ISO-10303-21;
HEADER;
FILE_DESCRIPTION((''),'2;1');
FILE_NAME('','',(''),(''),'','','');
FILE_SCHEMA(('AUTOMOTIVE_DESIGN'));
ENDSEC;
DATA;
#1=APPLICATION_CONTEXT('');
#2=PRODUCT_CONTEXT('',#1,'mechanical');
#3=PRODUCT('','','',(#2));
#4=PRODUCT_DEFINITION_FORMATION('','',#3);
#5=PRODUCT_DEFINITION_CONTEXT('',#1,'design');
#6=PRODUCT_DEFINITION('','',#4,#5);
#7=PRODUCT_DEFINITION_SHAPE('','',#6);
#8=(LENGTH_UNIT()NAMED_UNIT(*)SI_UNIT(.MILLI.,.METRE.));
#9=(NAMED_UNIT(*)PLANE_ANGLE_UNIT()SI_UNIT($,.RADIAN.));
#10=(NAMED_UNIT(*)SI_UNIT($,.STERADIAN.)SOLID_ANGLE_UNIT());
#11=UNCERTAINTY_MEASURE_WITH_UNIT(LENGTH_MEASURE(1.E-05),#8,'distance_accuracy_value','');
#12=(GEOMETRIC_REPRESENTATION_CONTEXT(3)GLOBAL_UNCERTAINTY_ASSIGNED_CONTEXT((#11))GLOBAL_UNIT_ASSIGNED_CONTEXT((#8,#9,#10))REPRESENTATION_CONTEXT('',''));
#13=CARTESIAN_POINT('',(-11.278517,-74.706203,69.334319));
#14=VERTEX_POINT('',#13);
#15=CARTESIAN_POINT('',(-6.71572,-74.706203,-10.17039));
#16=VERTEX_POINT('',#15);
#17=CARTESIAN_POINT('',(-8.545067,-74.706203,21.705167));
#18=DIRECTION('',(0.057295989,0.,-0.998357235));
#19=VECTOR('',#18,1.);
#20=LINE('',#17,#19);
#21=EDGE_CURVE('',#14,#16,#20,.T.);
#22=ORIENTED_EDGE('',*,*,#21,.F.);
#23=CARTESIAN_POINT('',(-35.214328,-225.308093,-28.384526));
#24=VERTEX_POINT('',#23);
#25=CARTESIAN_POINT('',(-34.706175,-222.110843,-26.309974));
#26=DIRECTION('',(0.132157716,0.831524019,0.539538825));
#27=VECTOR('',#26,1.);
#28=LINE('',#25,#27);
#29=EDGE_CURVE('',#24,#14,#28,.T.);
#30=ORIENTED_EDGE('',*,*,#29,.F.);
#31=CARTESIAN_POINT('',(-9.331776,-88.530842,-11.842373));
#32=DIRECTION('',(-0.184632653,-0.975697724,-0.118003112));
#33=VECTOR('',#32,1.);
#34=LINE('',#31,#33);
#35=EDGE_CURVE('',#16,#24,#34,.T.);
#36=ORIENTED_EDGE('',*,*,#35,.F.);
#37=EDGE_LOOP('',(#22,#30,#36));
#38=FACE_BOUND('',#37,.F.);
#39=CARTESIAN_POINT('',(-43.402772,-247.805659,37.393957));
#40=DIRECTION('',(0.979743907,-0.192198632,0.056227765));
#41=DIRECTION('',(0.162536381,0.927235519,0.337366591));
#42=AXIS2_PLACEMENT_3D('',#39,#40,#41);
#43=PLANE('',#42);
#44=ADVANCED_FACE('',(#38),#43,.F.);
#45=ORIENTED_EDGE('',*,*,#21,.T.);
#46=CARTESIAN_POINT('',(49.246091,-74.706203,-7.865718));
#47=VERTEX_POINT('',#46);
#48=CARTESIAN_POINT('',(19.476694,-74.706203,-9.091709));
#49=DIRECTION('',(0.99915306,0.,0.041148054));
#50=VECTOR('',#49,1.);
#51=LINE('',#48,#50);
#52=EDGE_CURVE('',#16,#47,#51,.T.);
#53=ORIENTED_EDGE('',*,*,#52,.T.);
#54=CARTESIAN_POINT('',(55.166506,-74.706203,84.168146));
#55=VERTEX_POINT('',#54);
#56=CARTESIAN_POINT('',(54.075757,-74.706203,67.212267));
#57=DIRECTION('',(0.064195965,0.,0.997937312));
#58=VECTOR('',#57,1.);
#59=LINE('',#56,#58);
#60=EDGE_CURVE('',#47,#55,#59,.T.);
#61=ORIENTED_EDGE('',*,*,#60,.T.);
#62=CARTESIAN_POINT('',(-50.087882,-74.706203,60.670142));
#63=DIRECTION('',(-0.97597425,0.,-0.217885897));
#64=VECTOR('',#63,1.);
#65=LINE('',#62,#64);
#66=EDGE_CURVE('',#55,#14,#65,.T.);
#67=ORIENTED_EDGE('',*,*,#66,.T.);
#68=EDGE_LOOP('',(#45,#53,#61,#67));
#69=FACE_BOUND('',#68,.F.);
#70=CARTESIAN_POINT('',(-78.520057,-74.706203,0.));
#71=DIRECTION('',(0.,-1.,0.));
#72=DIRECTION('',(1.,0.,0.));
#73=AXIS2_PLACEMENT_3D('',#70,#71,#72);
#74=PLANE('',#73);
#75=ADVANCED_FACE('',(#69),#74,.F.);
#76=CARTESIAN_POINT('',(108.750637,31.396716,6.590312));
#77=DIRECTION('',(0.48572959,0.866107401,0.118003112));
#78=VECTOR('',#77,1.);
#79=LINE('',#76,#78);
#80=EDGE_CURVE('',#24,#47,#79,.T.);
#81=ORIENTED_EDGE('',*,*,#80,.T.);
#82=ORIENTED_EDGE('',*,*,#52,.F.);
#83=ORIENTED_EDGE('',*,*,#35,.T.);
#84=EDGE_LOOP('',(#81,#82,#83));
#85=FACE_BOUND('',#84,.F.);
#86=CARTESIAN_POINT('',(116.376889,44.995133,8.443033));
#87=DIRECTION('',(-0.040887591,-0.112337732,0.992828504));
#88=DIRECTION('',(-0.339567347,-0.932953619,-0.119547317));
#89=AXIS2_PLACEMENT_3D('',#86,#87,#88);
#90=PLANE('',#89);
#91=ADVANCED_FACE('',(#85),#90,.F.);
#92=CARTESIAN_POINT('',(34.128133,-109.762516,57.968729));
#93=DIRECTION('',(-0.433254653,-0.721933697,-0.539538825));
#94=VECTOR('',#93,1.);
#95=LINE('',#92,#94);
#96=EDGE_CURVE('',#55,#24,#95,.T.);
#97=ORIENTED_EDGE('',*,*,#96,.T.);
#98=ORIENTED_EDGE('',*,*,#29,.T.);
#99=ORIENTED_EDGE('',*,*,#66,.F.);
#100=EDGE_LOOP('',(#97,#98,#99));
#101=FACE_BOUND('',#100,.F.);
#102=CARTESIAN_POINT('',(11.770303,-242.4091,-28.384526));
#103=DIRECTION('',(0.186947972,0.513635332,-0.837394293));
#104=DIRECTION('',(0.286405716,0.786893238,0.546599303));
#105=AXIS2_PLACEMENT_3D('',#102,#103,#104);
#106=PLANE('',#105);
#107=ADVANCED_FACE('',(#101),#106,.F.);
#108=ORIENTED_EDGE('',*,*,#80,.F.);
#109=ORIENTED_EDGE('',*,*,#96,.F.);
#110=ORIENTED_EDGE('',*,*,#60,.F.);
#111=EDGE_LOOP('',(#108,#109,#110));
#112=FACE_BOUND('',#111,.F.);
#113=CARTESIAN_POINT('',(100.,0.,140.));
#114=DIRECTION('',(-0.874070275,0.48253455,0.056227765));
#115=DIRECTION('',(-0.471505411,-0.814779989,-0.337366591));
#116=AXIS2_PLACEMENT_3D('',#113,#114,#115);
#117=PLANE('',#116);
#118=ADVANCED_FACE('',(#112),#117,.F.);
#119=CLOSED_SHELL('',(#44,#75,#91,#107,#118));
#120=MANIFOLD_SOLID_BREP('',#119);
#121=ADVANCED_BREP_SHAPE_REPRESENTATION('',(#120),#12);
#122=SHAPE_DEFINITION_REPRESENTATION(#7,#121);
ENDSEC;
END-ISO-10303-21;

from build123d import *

# Parameters (mm, degrees)
F0_W     = 100
F0_H     = 140
F1_DEPTH = 300
F4_DEPTH = 140.001
F5_DEPTH = 100.001
F6_ANGLE = 20
F7_ANGLE = 20
F8_W     = 212.240686353
F8_H     = 198.875214911
F9_DEPTH = 142


with BuildPart() as f1:
    # F0 (on Front) → F1 (new body)
    with BuildSketch(Plane.XZ):
        with Locations((50, 70)):
            Rectangle(F0_W, F0_H)
    extrude(amount=F1_DEPTH)

    # F2 (on face) → F4 (cut, through all)
    with BuildSketch(Plane.XY.offset(140)):
        Polygon((50, -300), (0, 0), (-43.4896158054, -321.4669823647), (163.4580759332, -380.9873461723), (100, 0), align=None)
    extrude(amount=-F4_DEPTH, mode=Mode.SUBTRACT)

    # F3 (on face) → F5 (cut, through all)
    with BuildSketch(Plane.YZ.offset(100)):
        Polygon((-300, 70), (0, 140), (-333.8288962841, 174.1326918269), (-333.8288962841, -23.4987252064), (0, 0), align=None)
    extrude(amount=-F5_DEPTH, mode=Mode.SUBTRACT)


with BuildPart() as f1_1:
    # F6: moved
    add(f1.part.rotate(Axis((100, 0, 70), (0, 0, -1)), F6_ANGLE))


with BuildPart() as f1_2:
    # F7: moved
    add(f1_1.part.rotate(Axis((53.0153689607, 17.1010071663, 140), (0.9396926208, -0.3420201433, 0)), F7_ANGLE))

    # F8 (on Top) → F9 (cut, symmetric)
    with BuildSketch(Plane.XY):
        with Locations((27.6002858933, 24.7314047101)):
            Rectangle(F8_W, F8_H)
    extrude(amount=F9_DEPTH, both=True, mode=Mode.SUBTRACT)


solid = f1_2.part
